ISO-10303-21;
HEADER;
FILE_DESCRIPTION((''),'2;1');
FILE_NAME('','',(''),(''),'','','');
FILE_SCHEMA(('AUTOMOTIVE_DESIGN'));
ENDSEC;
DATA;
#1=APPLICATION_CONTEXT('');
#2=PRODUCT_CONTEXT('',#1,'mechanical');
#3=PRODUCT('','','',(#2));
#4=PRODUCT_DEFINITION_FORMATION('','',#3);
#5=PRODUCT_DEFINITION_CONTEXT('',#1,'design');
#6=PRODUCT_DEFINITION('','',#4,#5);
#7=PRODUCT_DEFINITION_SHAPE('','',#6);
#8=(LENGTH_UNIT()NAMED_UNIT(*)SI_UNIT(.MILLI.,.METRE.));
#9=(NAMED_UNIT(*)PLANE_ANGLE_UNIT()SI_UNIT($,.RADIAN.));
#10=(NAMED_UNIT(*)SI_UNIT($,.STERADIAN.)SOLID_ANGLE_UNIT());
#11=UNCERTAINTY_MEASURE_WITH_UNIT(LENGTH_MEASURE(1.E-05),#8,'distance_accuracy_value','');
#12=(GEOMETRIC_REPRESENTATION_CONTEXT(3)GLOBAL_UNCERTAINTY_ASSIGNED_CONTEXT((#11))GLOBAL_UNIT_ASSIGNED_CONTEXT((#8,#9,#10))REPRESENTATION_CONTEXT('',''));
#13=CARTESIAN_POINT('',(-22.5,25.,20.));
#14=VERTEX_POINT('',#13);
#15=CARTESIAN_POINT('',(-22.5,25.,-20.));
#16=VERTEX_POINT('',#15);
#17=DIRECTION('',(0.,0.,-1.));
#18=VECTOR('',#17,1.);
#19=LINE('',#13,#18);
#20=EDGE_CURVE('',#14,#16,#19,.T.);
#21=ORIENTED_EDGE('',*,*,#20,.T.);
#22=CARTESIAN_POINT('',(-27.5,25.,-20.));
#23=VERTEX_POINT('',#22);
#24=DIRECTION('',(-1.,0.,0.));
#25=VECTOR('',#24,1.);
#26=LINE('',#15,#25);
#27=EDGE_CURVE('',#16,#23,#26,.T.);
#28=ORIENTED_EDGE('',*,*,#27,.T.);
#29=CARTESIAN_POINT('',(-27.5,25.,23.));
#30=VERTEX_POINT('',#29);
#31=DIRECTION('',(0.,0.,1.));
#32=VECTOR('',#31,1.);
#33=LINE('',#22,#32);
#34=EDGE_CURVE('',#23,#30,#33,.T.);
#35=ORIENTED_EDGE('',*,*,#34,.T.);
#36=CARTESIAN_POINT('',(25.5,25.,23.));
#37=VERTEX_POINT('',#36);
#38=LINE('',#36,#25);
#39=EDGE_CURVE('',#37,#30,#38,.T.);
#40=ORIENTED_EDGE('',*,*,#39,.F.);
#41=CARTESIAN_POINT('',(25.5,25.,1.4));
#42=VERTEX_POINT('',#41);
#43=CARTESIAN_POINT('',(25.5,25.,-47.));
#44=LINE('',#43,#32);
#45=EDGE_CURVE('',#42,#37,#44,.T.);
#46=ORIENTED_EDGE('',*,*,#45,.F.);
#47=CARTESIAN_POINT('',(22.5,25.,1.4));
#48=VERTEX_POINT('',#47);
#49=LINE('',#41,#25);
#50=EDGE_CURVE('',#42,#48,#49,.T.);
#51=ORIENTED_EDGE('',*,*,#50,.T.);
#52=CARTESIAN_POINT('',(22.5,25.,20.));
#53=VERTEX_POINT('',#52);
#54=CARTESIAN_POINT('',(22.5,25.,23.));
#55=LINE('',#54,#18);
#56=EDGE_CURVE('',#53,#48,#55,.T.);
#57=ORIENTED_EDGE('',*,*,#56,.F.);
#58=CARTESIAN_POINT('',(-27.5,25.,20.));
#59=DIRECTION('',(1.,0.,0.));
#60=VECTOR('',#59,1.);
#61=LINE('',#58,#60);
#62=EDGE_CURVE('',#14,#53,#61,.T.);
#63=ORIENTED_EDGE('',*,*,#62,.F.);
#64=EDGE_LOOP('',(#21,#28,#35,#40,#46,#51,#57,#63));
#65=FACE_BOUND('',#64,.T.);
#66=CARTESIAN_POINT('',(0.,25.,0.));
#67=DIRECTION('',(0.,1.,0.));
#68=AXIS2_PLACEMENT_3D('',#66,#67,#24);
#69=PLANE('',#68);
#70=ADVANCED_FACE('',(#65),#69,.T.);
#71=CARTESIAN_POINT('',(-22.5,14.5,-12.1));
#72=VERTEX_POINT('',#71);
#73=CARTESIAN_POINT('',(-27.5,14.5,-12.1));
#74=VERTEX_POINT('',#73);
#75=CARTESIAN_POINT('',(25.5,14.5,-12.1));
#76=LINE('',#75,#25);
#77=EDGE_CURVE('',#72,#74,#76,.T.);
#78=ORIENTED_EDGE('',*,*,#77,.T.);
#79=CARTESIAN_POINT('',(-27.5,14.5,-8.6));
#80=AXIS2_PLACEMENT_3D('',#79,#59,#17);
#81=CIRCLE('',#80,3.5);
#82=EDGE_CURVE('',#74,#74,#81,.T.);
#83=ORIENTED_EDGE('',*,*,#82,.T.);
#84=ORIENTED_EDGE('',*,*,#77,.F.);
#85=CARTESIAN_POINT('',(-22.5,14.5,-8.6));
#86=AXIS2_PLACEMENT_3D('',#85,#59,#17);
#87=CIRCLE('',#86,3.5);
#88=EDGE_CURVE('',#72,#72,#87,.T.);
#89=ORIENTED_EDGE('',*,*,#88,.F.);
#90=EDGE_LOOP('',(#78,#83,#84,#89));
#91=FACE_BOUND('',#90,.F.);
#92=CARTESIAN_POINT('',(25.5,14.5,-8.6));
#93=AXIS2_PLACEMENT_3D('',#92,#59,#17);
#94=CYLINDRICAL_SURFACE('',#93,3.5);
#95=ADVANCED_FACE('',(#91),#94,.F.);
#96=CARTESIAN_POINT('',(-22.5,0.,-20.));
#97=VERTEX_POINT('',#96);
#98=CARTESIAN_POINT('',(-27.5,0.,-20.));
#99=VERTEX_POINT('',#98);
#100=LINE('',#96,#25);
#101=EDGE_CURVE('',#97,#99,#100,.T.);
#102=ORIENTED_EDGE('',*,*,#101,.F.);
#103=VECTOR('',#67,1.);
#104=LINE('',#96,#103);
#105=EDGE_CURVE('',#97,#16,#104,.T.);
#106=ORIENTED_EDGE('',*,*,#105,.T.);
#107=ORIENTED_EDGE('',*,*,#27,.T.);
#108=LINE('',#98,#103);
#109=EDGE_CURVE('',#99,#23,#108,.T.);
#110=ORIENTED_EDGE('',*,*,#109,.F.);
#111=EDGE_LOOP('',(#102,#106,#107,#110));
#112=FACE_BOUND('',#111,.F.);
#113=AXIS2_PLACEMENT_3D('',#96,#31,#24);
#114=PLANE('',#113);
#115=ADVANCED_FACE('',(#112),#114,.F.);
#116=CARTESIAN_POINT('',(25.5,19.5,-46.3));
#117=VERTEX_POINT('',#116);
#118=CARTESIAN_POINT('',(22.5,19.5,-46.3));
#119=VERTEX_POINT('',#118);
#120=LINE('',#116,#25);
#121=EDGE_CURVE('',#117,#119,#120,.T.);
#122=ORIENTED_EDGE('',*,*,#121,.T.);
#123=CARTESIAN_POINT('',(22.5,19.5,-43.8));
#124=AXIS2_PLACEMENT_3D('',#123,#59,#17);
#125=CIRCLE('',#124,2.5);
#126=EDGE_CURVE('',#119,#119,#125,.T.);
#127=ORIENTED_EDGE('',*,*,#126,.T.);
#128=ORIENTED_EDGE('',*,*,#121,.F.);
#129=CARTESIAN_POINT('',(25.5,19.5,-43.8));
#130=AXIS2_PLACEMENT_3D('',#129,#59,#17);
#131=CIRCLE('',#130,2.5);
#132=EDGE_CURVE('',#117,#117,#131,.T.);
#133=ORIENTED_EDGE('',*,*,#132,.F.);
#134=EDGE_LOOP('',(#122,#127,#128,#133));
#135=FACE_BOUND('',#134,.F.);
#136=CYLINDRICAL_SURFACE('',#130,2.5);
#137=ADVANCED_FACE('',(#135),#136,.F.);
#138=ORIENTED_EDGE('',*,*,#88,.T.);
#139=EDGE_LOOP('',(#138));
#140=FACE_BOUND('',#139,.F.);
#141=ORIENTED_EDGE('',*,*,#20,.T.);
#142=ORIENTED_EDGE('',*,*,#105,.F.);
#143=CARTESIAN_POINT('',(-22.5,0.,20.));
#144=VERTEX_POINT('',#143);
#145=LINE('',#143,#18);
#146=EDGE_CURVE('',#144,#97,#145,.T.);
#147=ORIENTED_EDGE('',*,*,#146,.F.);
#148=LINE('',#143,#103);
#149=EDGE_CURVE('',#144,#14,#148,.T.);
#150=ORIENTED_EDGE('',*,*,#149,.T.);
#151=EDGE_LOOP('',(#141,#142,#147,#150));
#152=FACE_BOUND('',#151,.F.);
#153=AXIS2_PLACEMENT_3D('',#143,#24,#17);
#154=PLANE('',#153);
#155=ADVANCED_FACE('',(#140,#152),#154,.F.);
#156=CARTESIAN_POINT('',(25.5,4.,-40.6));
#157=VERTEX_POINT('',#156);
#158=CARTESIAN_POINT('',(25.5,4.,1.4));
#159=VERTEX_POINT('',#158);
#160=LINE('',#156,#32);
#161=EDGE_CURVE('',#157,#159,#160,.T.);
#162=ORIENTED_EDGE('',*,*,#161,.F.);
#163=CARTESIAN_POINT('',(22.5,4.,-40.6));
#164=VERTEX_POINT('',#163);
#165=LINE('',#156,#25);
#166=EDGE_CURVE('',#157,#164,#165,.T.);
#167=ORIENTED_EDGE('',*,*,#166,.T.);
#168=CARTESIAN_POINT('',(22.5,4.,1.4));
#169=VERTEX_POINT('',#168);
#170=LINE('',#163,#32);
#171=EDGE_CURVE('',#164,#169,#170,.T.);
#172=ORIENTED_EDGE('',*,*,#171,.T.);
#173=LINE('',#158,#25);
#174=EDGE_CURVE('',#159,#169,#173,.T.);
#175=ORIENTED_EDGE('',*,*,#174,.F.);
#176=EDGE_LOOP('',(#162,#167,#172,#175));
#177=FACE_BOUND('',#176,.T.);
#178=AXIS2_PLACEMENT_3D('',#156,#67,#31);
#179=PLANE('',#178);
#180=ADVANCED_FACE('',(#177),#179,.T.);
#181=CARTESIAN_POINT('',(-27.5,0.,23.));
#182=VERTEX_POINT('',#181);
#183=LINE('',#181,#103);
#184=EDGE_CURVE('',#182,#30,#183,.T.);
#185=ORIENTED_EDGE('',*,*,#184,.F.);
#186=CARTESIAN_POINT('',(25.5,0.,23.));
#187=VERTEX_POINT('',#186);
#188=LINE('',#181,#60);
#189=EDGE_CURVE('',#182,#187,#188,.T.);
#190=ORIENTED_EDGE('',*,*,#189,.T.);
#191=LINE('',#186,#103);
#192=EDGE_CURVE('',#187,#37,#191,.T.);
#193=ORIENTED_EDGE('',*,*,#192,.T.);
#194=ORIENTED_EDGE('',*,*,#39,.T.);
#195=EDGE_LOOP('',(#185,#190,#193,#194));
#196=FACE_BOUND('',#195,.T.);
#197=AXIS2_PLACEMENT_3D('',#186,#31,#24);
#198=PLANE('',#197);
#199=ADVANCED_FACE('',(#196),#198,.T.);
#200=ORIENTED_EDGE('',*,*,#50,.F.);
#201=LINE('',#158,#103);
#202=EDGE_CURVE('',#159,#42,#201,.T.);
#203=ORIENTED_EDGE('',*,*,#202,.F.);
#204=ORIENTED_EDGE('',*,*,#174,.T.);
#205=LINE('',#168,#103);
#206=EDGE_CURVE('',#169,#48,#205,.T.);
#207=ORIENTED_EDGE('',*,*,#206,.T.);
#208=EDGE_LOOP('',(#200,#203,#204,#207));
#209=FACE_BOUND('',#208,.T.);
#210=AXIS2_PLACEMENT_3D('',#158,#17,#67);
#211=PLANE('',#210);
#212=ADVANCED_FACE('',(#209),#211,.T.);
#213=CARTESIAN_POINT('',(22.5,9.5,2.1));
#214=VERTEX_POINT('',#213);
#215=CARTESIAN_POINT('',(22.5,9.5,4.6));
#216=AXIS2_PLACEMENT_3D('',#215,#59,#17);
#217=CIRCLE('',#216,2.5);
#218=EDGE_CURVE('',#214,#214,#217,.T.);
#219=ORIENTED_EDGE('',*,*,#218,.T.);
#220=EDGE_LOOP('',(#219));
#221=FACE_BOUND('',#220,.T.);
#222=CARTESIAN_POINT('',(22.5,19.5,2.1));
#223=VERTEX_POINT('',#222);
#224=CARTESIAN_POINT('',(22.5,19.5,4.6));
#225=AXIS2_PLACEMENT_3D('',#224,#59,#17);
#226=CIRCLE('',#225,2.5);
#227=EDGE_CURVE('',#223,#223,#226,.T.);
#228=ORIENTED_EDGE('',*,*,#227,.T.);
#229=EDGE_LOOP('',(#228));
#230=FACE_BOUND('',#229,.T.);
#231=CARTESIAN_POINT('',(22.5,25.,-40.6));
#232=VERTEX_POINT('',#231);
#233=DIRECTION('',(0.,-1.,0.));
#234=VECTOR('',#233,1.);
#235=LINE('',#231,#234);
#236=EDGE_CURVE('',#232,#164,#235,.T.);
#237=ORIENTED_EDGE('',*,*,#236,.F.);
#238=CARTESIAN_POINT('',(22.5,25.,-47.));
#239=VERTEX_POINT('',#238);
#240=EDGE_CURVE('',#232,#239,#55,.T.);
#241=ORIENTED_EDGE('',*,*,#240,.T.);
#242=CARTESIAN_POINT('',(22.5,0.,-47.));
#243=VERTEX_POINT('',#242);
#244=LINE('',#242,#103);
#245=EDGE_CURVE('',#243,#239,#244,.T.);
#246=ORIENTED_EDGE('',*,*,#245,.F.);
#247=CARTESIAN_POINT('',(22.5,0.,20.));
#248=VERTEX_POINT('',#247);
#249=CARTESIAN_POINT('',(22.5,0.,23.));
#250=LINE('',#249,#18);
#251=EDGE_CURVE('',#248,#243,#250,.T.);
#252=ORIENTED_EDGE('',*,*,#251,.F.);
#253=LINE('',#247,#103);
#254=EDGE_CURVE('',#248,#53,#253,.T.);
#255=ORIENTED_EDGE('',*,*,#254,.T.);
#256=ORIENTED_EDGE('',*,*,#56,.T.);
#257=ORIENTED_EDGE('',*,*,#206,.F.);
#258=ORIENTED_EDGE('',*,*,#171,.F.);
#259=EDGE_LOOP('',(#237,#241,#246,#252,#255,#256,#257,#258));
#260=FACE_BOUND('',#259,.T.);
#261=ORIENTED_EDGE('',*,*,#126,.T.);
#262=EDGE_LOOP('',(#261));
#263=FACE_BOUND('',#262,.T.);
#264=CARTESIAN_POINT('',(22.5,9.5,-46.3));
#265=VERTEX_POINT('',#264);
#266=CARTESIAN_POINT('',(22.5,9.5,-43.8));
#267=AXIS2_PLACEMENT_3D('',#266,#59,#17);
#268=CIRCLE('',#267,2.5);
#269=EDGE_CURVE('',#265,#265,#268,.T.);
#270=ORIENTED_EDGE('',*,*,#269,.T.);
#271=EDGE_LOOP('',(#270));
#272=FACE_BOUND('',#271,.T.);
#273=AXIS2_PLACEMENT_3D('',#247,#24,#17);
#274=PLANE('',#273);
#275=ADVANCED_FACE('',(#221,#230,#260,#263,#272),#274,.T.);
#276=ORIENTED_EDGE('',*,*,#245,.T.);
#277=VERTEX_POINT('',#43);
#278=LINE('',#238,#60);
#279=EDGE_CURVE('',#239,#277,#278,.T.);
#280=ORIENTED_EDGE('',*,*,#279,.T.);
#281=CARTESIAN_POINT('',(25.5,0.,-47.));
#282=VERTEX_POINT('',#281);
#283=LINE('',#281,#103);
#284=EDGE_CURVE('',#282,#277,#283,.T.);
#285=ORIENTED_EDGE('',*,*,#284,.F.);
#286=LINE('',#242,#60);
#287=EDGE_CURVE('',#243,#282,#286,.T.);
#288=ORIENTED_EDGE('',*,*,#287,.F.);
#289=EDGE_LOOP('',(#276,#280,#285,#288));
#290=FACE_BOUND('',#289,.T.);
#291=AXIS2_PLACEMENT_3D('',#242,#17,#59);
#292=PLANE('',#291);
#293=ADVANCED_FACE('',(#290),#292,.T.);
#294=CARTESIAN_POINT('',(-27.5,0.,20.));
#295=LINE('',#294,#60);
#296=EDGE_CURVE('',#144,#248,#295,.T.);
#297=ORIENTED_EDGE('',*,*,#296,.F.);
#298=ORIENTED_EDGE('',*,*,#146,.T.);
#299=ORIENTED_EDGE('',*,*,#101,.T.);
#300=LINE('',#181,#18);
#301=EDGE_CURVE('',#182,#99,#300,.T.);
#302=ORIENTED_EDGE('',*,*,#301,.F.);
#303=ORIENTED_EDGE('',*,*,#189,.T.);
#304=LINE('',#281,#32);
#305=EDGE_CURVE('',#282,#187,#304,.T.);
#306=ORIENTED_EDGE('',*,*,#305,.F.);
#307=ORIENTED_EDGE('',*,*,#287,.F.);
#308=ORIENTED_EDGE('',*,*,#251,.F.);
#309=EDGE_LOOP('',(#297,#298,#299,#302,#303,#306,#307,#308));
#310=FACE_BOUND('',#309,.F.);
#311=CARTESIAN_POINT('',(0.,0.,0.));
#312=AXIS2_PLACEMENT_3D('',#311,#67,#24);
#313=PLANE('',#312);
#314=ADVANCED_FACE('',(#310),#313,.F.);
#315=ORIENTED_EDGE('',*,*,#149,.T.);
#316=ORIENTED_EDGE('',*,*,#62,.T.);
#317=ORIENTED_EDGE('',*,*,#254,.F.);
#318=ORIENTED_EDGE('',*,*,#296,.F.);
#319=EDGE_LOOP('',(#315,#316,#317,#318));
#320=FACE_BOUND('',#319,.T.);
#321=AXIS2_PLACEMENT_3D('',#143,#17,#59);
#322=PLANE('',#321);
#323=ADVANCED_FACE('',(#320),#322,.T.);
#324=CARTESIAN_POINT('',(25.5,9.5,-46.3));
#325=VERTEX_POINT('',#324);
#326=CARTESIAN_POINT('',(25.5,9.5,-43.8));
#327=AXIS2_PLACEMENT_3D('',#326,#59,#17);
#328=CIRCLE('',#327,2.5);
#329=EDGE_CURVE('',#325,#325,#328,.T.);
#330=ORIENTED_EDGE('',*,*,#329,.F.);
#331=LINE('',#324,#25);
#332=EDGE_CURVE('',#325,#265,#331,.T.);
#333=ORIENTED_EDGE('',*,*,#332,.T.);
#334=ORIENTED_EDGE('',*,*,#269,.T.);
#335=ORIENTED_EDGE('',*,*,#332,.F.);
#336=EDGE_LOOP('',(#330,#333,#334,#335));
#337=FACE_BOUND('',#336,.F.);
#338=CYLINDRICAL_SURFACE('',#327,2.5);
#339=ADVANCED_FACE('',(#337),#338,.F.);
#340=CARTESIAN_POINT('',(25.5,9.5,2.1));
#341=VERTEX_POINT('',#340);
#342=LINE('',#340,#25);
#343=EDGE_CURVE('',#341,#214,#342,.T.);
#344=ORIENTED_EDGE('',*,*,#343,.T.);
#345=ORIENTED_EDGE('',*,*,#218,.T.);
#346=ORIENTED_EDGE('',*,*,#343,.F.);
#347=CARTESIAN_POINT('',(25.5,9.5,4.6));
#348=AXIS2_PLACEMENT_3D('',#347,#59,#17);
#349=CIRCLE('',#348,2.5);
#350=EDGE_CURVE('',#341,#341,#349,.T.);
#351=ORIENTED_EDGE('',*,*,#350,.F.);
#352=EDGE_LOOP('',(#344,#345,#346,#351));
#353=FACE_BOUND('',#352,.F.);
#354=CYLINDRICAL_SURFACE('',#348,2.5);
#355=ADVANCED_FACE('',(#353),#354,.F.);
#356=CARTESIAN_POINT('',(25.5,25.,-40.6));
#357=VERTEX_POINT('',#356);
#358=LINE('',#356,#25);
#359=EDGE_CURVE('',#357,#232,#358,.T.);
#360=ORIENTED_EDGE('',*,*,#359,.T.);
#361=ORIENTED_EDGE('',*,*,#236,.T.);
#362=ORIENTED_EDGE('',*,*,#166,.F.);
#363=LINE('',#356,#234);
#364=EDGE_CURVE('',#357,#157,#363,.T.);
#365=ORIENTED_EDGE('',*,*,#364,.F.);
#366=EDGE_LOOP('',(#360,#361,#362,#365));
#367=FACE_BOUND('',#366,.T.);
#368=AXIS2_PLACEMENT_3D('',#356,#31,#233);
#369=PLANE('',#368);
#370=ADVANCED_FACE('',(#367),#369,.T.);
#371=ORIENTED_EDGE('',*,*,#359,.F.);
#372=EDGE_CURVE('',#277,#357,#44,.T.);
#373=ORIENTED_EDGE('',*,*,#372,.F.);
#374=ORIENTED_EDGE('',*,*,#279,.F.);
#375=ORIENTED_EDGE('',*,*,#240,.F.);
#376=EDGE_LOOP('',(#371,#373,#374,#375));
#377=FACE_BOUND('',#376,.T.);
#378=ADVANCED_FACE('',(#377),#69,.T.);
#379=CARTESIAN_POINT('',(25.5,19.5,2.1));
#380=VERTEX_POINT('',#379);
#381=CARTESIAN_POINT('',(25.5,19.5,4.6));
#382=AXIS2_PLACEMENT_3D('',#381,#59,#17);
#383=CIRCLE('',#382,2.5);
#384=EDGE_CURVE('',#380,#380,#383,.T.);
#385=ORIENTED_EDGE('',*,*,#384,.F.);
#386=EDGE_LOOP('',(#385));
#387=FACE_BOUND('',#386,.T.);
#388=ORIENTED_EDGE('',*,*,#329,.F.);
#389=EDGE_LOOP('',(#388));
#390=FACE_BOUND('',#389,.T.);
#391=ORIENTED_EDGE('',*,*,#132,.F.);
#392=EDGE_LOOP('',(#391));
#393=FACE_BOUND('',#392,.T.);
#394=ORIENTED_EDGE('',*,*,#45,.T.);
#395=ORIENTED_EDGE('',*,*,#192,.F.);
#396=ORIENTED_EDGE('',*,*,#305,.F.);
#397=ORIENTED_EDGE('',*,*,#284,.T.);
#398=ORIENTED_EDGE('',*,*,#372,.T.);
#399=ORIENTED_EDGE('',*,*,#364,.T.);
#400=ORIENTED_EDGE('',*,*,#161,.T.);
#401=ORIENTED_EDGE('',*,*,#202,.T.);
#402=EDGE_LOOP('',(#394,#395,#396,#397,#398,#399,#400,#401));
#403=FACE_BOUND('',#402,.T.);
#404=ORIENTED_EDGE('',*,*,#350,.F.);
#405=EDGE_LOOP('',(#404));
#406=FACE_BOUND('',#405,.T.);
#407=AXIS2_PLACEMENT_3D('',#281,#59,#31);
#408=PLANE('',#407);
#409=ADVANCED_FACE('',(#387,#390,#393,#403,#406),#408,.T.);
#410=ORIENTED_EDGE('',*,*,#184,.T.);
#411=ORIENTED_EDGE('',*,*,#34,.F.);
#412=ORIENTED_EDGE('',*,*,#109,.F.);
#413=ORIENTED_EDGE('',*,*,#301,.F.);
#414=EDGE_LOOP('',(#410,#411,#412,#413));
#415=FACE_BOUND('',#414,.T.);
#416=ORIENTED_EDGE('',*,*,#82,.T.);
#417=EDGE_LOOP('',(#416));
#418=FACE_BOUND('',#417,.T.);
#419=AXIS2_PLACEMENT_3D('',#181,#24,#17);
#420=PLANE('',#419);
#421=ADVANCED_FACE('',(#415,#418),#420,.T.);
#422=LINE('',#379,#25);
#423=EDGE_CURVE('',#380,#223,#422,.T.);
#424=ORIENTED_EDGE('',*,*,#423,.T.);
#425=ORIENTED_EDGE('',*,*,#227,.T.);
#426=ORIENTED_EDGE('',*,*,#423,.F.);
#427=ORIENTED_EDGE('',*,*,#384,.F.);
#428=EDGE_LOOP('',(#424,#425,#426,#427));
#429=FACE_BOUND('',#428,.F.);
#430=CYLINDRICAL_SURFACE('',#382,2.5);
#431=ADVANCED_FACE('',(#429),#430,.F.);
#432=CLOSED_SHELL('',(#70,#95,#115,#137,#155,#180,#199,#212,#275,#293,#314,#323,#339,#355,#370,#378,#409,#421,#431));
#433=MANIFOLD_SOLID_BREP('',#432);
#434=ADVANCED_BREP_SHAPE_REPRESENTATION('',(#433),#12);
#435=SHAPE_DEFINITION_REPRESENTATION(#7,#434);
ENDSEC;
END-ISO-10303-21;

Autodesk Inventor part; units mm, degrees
ref_plane "YZ Plane" through (0, 0, 0) normal (1, 0, 0) x (0, 1, 0)
ref_plane "XZ Plane" through (0, 0, 0) normal (0, 1, 0) x (-1, 0, 0)
ref_plane "XY Plane" through (0, 0, 0) normal (0, 0, 1) x (1, 0, 0)
sketch "Esquisse1" plane through (0, 0, 0) normal (0, 1, 0) x (-1, 0, 0)
  line L0 (-25.5, 23) -> (-22.5, 23)
  line L1 (-22.5, 23) -> (-22.5, -47)
  line L2 (-22.5, -47) -> (-25.5, -47)
  line L3 (-25.5, -47) -> (-25.5, 23)
  line L4 (-22.5, 23) -> (27.5, 23)
  line L5 (27.5, 23) -> (27.5, 20)
  line L6 (27.5, 20) -> (-22.5, 20)
  line L7 (-22.5, 20) -> (-22.5, 23)
  line L8 (27.5, 20) -> (22.5, 20)
  line L9 (22.5, 20) -> (22.5, -20)
  line L10 (22.5, -20) -> (27.5, -20)
  line L11 (27.5, -20) -> (27.5, 20)
  point P0 (0, 0)
  dimension "d0" = 45
  dimension "d1" = 5
  dimension "d2" = 3
  dimension "d3" = 3
  dimension "d4" = 40
  dimension "d5" = 20
  dimension "d6" = 22.5
  dimension "d7" = 70
extrude "Extrusion1" add sketch "Esquisse1" along normal blind 25
sketch "Esquisse2" plane through (25.5, 0, 23) normal (1, 0, 0) x (0, 0, -1)
  line L0 (70, 0) -> (70, 25) projected
  line L1 (0, 25) -> (70, 25) projected
  line L2 (70, 25) -> (63.6, 25)
  line L3 (63.6, 25) -> (63.6, 4)
  line L4 (63.6, 4) -> (70, 4)
  line L5 (70, 4) -> (70, 25)
  line L6 (63.6, 4) -> (21.6, 4)
  line L7 (21.6, 4) -> (21.6, 25)
  line L8 (21.6, 25) -> (63.6, 25)
  line L9 (63.6, 25) -> (63.6, 4)
  line L10 (21.6, 4) -> (15.2, 4)
  line L11 (15.2, 4) -> (15.2, 25)
  line L12 (15.2, 25) -> (21.6, 25)
  line L13 (21.6, 25) -> (21.6, 4)
  line L14 (15.2, 14.5) -> (70, 14.5) construction
  circle A0 centre (18.4, 19.5) radius 2.5
  circle A1 centre (66.8, 19.5) radius 2.5
  circle A2 centre (18.4, 9.5) radius 2.5
  circle A3 centre (66.8, 9.5) radius 2.5
  point P0 (23, 0)
  dimension "d10" = 21
  dimension "d11" = 6.4
  dimension "d12" = 6.4
  dimension "d13" = 42
  dimension "d14" = 5
  dimension "d15" = 5
  dimension "d16" = 5
  dimension "d17" = 3.2
  dimension "d18" = 3.2
  dimension "d19" = 5
sketch "Esquisse3" plane through (25.5, 0, 23) normal (1, 0, 0) x (0, 0, -1)
  line L0 (0, 25) -> (70, 25) projected
  line L1 (21.6, 4) -> (63.6, 4)
  line L2 (63.6, 4) -> (63.6, 25)
  line L3 (63.6, 25) -> (21.6, 25)
  line L4 (21.6, 25) -> (21.6, 4)
  line L5 (63.6, 4) -> (70, 4)
  line L6 (70, 4) -> (70, 25)
  line L7 (70, 25) -> (63.6, 25)
  line L8 (63.6, 25) -> (63.6, 4)
  line L9 (21.6, 14.5) -> (63.6, 14.5) construction
  circle A0 centre (31.6, 14.5) radius 3.5
  point P0 (23, 0)
  dimension "d22" = 6.4
  dimension "d23" = 21
  dimension "d24" = 42
  dimension "d25" = 7
  dimension "d27" = 10
extrude "Extrusion3" cut sketch "Esquisse3" against normal through all contours A0
extrude "Extrusion4" cut sketch "Esquisse2" against normal up to surface (3 mm away) contours L6 L7 L1 L3 | A0 | A1 | A2 | A3
equation "\"d5\" = 0.5 * d4"
equation "\"d6\" = 0.5 * d0"
equation "\"d12\" = d11"
equation "\"d15\" = d14"
equation "\"d18\" = d17"
equation "\"d19\" = d16"
properties part number "new_shoulder_2_modif"
